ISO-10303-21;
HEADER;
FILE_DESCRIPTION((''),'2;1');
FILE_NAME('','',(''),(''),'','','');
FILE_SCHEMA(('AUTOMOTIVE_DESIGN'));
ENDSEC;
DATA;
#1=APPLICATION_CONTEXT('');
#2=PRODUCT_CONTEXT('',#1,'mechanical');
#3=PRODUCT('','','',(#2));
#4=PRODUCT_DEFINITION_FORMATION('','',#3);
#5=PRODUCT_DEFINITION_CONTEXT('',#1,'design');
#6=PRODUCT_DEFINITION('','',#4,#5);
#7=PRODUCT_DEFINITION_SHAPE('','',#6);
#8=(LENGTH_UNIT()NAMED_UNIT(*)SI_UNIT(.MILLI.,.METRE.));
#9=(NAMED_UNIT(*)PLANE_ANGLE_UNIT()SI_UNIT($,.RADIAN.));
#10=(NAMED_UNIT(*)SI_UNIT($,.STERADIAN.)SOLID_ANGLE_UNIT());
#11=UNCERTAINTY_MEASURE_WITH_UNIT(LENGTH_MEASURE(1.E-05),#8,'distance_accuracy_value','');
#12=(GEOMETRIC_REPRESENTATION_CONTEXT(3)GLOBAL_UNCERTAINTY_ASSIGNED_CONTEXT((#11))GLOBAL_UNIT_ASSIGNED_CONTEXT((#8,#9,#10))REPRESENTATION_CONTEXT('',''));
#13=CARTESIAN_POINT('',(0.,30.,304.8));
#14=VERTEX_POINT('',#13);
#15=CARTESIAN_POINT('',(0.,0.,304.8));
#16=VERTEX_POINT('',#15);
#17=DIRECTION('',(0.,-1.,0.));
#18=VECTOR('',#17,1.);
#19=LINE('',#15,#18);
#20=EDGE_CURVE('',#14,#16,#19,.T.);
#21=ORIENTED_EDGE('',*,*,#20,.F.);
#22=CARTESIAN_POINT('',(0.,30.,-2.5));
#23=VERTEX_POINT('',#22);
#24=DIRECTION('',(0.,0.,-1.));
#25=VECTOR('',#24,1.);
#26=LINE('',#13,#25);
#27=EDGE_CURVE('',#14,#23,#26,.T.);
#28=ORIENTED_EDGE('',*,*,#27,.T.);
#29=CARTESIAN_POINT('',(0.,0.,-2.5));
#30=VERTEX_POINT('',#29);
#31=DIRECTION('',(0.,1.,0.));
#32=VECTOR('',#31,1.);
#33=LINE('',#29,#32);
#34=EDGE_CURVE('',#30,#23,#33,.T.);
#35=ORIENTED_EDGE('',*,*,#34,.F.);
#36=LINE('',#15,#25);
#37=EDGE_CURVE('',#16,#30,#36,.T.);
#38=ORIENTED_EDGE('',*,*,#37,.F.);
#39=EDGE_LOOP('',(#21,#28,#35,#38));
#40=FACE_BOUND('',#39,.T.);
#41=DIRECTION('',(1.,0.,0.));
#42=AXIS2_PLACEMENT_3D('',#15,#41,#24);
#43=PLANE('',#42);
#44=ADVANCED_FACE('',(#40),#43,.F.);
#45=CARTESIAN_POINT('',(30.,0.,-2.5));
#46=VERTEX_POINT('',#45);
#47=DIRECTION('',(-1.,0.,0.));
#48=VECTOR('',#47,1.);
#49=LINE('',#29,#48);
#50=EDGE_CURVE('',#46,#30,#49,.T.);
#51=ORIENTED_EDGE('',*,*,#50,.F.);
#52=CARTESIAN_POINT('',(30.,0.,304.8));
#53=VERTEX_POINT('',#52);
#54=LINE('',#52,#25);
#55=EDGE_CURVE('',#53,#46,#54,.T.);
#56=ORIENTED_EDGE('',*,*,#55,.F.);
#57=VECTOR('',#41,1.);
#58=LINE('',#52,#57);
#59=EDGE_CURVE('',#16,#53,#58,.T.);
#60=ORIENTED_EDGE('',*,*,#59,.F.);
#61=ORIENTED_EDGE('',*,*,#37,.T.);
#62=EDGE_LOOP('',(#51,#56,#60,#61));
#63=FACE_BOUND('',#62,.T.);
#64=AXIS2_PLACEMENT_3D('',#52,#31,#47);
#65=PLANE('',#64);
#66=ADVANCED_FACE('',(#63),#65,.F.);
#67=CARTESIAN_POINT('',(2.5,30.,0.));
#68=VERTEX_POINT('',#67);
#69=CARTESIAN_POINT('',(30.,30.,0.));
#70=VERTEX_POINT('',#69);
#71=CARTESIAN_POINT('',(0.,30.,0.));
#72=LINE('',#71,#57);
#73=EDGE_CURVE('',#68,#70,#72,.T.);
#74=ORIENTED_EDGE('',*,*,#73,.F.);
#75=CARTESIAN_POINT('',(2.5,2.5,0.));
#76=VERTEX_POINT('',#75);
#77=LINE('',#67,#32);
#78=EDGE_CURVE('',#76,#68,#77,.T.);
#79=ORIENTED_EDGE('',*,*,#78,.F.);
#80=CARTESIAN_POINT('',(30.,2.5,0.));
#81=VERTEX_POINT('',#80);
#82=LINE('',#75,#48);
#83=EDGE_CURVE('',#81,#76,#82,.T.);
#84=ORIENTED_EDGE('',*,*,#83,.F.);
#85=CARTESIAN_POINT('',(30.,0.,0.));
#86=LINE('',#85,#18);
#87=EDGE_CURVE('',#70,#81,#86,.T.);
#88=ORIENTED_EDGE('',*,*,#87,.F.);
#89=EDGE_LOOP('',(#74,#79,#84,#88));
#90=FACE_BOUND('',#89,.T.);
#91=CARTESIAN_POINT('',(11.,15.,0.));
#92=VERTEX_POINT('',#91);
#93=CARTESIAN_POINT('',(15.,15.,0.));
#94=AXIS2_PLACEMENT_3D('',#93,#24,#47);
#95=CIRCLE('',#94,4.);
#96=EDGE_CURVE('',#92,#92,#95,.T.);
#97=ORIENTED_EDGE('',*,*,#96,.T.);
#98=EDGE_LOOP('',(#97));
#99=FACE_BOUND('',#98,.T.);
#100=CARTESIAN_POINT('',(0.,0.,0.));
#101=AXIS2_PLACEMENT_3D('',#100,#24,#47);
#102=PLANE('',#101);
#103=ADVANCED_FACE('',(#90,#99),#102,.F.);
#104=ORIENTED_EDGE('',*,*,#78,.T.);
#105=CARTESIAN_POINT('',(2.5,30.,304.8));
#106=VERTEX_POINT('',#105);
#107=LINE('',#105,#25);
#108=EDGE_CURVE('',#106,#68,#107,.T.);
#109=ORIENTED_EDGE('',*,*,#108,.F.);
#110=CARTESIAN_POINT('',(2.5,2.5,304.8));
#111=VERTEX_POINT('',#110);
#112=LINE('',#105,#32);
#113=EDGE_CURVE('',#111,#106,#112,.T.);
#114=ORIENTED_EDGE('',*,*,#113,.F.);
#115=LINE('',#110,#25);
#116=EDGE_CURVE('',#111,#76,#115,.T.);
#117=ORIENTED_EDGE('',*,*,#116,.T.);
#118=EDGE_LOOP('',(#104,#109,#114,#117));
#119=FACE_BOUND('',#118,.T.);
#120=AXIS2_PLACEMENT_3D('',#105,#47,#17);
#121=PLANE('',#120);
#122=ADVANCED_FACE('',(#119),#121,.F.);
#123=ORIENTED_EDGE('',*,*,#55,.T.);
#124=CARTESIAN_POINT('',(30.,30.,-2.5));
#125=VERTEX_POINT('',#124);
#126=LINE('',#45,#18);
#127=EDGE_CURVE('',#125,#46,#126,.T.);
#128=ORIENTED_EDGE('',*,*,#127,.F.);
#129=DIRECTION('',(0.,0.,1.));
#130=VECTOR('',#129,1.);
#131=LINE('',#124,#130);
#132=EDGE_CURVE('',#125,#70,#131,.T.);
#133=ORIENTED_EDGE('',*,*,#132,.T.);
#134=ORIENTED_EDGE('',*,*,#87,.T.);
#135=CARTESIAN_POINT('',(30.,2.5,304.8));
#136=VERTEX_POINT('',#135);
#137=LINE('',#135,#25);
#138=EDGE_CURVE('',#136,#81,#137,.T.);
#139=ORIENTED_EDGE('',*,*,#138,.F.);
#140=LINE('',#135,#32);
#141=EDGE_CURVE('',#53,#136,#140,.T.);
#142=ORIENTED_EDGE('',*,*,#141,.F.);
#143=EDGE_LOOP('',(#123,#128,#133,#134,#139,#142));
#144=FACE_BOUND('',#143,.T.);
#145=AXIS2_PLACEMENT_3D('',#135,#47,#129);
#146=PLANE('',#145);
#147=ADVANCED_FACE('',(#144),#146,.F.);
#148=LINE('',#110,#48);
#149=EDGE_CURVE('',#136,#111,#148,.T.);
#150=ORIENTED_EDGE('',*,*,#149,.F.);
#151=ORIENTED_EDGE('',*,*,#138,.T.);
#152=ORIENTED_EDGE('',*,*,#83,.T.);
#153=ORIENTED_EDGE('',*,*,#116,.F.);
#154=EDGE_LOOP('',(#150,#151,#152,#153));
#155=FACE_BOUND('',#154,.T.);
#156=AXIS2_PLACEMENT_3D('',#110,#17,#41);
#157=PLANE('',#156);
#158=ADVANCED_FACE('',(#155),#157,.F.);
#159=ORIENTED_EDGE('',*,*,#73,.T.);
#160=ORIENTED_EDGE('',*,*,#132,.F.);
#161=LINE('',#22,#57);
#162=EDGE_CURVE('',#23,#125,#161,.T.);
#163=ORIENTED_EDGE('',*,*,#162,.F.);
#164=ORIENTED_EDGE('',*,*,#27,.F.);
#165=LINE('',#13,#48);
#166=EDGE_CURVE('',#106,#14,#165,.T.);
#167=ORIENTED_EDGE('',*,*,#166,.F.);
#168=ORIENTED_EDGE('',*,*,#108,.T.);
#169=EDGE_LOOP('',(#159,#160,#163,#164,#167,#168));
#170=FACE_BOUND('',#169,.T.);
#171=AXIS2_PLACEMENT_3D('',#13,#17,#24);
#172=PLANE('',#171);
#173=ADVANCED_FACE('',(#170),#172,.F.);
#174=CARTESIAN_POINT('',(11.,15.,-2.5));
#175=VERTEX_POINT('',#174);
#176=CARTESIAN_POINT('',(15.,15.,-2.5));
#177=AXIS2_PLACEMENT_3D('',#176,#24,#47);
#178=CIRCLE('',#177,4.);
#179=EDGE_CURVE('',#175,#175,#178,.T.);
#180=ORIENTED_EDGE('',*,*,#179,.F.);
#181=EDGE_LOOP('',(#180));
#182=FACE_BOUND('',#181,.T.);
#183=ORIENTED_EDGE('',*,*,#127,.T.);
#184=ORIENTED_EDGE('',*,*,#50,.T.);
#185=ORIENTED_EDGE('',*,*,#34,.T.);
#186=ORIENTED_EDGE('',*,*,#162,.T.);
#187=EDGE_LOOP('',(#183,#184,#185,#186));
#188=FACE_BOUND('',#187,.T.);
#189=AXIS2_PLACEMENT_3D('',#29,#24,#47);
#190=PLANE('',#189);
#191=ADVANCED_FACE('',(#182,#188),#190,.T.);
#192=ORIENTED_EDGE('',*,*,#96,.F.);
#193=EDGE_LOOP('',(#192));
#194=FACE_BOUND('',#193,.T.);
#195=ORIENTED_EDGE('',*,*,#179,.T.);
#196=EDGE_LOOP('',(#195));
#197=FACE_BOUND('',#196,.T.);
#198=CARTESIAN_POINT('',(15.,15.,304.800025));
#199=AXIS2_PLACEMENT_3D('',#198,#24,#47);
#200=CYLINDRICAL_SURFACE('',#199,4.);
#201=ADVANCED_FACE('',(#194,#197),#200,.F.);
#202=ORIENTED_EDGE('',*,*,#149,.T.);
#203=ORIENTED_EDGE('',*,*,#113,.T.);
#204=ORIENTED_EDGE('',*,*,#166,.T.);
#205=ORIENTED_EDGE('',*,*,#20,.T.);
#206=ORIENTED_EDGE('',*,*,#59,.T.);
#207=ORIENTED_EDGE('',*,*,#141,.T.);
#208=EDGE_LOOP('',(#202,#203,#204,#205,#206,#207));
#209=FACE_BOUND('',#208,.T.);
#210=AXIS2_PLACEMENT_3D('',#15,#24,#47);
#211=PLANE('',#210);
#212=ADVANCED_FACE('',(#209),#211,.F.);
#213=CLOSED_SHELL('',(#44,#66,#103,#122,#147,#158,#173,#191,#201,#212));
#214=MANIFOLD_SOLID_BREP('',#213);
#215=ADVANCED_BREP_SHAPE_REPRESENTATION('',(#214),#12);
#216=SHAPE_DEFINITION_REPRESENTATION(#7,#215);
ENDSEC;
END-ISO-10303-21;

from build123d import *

# Parameters (mm, degrees)
BOSS_EXTRUDE1_DEPTH = 304.8
SKETCH2_W           = 30
SKETCH2_H           = 30
BOSS_EXTRUDE2_DEPTH = 2.5
SKETCH3_R           = 4
CUT_EXTRUDE1_DEPTH  = 311.214909377


with BuildPart() as part:
    # Sketch1 → Boss-Extrude1 (new body)
    with BuildSketch(Plane.XY):
        Polygon((0, 0), (0, 30), (2.5, 30), (2.5, 2.5), (30, 2.5), (30, 0), align=None)
    extrude(amount=BOSS_EXTRUDE1_DEPTH)

    # Sketch2 → Boss-Extrude2 (add)
    with BuildSketch(Plane(origin=(0, 0, 0), x_dir=(-1, 0, 0), z_dir=(0, 0, -1))):
        with Locations((-15, 15)):
            Rectangle(SKETCH2_W, SKETCH2_H)
    extrude(amount=BOSS_EXTRUDE2_DEPTH)

    # Sketch3 → Cut-Extrude1 (cut, through all)
    with BuildSketch(Plane(origin=(0, 0, -2.5), x_dir=(-1, 0, 0), z_dir=(0, 0, -1))):
        with Locations((-15, 15)):
            Circle(SKETCH3_R)
    extrude(amount=-CUT_EXTRUDE1_DEPTH, mode=Mode.SUBTRACT)


solid = part.part
